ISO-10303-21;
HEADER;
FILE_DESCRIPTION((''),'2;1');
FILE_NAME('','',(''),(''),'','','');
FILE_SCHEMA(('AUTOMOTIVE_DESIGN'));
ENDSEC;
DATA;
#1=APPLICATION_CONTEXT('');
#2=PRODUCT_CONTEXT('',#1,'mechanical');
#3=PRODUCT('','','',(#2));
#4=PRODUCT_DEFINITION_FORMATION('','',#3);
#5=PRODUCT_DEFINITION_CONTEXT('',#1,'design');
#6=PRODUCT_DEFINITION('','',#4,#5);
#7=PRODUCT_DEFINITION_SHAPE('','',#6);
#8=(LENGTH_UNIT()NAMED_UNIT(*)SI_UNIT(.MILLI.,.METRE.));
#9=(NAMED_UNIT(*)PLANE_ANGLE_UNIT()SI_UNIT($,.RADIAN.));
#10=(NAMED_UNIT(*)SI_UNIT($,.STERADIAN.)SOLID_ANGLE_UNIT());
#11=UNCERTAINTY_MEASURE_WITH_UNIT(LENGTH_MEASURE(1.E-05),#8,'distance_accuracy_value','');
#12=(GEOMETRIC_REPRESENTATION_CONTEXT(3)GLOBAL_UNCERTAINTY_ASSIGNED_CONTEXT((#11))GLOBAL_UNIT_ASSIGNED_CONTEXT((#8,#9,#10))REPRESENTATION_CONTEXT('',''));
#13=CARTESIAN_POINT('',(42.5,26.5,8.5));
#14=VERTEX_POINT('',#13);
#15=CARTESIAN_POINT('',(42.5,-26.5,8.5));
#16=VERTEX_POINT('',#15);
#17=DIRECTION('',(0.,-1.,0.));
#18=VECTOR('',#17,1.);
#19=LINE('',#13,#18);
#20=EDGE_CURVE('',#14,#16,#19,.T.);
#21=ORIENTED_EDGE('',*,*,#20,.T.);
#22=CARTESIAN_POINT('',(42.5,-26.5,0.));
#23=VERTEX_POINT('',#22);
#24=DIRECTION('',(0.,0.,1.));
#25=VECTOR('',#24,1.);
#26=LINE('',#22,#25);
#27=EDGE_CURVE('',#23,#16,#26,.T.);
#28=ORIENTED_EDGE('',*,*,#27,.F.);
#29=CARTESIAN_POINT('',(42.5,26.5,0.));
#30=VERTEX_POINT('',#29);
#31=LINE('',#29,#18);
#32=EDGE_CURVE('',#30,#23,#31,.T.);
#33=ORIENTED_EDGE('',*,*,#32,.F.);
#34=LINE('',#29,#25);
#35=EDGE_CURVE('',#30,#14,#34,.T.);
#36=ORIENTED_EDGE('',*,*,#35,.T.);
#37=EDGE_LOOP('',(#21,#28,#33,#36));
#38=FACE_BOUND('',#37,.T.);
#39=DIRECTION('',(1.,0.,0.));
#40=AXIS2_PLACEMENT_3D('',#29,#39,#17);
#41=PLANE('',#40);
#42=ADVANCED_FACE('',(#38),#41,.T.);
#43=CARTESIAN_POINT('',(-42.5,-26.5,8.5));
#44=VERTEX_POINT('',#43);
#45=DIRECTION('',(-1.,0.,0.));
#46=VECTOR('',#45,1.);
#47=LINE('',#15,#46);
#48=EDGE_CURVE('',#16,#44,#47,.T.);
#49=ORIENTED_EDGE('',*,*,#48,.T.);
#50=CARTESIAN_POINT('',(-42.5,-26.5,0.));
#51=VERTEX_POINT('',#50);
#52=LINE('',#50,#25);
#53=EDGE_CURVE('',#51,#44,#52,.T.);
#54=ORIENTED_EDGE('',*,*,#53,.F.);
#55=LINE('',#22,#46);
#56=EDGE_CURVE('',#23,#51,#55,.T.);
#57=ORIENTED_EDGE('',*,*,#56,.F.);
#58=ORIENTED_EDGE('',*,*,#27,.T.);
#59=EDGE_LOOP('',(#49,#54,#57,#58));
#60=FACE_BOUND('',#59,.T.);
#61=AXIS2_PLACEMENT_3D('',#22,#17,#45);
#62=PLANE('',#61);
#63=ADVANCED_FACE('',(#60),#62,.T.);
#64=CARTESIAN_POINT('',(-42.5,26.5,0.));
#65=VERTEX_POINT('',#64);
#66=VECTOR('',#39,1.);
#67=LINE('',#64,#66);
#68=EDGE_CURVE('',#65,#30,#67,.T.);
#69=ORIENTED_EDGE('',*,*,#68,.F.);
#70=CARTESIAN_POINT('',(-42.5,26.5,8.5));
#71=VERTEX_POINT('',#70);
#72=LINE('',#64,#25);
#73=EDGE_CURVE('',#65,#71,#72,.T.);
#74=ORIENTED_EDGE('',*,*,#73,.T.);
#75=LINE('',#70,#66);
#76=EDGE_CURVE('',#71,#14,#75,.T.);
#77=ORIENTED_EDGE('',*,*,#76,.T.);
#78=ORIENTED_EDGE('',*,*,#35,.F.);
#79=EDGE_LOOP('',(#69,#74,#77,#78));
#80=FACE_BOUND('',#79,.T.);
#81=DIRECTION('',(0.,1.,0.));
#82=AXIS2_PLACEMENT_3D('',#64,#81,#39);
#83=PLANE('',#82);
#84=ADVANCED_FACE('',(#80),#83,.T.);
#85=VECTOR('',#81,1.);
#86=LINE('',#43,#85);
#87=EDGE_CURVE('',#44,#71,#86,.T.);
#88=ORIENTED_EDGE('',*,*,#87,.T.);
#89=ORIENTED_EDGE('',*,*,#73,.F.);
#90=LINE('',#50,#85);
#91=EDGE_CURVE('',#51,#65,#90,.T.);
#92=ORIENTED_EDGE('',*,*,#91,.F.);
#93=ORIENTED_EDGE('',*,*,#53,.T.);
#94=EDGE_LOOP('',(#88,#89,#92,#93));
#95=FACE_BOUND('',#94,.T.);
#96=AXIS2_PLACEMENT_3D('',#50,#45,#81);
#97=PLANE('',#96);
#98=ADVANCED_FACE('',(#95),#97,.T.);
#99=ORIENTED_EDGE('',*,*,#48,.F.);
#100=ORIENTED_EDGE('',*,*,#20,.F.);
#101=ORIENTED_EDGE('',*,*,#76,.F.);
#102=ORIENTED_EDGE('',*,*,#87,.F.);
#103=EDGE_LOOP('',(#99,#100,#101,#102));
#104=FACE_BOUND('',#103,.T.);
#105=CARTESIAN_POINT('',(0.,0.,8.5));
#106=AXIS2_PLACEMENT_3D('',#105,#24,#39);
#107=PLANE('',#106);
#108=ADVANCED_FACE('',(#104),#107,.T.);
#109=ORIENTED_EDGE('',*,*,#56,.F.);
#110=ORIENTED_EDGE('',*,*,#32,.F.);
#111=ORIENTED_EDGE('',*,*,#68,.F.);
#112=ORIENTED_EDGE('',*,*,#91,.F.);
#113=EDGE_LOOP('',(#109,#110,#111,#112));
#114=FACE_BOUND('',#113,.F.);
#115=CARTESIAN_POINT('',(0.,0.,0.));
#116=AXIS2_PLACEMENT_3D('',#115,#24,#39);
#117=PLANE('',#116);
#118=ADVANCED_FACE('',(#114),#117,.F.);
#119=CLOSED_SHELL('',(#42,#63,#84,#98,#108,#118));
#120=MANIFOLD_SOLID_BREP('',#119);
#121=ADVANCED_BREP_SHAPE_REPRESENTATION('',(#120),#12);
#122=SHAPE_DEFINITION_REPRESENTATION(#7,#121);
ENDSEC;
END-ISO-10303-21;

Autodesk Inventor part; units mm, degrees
ref_plane "YZ Plane" through (0, 0, 0) normal (1, 0, 0) x (0, 1, 0)
ref_plane "XZ Plane" through (0, 0, 0) normal (0, 1, 0) x (-1, 0, 0)
ref_plane "XY Plane" through (0, 0, 0) normal (0, 0, 1) x (1, 0, 0)
sketch "スケッチ1" plane through (0, 0, 0) normal (0, 0, 1) x (1, 0, 0)
  line L0 (-42.5, 26.5) -> (42.5, 26.5)
  line L1 (42.5, 26.5) -> (42.5, -26.5)
  line L2 (42.5, -26.5) -> (-42.5, -26.5)
  line L3 (-42.5, -26.5) -> (-42.5, 26.5)
  point P0 (0, 0)
  point P1 (-42.5, 0)
  point P2 (0, 26.5)
  dimension "d0" = 85
  dimension "d1" = 53
extrude "押し出し1" add sketch "スケッチ1" along normal blind 8.5
sketch "スケッチ2" plane through (0, 0, 8.5) normal (0, 0, 1) x (1, 0, 0)
  line L0 (-15.8545, 9.585) -> (12.3877, 9.585) construction
  line L1 (12.3877, 9.585) -> (12.3877, 5.6404) construction
  line L2 (12.3877, 5.6404) -> (-15.8545, 5.6404) construction
  line L3 (-15.8545, 5.6404) -> (-15.8545, 9.585) construction
  point P0 (0, 0)
properties part number "USB-Battery"
